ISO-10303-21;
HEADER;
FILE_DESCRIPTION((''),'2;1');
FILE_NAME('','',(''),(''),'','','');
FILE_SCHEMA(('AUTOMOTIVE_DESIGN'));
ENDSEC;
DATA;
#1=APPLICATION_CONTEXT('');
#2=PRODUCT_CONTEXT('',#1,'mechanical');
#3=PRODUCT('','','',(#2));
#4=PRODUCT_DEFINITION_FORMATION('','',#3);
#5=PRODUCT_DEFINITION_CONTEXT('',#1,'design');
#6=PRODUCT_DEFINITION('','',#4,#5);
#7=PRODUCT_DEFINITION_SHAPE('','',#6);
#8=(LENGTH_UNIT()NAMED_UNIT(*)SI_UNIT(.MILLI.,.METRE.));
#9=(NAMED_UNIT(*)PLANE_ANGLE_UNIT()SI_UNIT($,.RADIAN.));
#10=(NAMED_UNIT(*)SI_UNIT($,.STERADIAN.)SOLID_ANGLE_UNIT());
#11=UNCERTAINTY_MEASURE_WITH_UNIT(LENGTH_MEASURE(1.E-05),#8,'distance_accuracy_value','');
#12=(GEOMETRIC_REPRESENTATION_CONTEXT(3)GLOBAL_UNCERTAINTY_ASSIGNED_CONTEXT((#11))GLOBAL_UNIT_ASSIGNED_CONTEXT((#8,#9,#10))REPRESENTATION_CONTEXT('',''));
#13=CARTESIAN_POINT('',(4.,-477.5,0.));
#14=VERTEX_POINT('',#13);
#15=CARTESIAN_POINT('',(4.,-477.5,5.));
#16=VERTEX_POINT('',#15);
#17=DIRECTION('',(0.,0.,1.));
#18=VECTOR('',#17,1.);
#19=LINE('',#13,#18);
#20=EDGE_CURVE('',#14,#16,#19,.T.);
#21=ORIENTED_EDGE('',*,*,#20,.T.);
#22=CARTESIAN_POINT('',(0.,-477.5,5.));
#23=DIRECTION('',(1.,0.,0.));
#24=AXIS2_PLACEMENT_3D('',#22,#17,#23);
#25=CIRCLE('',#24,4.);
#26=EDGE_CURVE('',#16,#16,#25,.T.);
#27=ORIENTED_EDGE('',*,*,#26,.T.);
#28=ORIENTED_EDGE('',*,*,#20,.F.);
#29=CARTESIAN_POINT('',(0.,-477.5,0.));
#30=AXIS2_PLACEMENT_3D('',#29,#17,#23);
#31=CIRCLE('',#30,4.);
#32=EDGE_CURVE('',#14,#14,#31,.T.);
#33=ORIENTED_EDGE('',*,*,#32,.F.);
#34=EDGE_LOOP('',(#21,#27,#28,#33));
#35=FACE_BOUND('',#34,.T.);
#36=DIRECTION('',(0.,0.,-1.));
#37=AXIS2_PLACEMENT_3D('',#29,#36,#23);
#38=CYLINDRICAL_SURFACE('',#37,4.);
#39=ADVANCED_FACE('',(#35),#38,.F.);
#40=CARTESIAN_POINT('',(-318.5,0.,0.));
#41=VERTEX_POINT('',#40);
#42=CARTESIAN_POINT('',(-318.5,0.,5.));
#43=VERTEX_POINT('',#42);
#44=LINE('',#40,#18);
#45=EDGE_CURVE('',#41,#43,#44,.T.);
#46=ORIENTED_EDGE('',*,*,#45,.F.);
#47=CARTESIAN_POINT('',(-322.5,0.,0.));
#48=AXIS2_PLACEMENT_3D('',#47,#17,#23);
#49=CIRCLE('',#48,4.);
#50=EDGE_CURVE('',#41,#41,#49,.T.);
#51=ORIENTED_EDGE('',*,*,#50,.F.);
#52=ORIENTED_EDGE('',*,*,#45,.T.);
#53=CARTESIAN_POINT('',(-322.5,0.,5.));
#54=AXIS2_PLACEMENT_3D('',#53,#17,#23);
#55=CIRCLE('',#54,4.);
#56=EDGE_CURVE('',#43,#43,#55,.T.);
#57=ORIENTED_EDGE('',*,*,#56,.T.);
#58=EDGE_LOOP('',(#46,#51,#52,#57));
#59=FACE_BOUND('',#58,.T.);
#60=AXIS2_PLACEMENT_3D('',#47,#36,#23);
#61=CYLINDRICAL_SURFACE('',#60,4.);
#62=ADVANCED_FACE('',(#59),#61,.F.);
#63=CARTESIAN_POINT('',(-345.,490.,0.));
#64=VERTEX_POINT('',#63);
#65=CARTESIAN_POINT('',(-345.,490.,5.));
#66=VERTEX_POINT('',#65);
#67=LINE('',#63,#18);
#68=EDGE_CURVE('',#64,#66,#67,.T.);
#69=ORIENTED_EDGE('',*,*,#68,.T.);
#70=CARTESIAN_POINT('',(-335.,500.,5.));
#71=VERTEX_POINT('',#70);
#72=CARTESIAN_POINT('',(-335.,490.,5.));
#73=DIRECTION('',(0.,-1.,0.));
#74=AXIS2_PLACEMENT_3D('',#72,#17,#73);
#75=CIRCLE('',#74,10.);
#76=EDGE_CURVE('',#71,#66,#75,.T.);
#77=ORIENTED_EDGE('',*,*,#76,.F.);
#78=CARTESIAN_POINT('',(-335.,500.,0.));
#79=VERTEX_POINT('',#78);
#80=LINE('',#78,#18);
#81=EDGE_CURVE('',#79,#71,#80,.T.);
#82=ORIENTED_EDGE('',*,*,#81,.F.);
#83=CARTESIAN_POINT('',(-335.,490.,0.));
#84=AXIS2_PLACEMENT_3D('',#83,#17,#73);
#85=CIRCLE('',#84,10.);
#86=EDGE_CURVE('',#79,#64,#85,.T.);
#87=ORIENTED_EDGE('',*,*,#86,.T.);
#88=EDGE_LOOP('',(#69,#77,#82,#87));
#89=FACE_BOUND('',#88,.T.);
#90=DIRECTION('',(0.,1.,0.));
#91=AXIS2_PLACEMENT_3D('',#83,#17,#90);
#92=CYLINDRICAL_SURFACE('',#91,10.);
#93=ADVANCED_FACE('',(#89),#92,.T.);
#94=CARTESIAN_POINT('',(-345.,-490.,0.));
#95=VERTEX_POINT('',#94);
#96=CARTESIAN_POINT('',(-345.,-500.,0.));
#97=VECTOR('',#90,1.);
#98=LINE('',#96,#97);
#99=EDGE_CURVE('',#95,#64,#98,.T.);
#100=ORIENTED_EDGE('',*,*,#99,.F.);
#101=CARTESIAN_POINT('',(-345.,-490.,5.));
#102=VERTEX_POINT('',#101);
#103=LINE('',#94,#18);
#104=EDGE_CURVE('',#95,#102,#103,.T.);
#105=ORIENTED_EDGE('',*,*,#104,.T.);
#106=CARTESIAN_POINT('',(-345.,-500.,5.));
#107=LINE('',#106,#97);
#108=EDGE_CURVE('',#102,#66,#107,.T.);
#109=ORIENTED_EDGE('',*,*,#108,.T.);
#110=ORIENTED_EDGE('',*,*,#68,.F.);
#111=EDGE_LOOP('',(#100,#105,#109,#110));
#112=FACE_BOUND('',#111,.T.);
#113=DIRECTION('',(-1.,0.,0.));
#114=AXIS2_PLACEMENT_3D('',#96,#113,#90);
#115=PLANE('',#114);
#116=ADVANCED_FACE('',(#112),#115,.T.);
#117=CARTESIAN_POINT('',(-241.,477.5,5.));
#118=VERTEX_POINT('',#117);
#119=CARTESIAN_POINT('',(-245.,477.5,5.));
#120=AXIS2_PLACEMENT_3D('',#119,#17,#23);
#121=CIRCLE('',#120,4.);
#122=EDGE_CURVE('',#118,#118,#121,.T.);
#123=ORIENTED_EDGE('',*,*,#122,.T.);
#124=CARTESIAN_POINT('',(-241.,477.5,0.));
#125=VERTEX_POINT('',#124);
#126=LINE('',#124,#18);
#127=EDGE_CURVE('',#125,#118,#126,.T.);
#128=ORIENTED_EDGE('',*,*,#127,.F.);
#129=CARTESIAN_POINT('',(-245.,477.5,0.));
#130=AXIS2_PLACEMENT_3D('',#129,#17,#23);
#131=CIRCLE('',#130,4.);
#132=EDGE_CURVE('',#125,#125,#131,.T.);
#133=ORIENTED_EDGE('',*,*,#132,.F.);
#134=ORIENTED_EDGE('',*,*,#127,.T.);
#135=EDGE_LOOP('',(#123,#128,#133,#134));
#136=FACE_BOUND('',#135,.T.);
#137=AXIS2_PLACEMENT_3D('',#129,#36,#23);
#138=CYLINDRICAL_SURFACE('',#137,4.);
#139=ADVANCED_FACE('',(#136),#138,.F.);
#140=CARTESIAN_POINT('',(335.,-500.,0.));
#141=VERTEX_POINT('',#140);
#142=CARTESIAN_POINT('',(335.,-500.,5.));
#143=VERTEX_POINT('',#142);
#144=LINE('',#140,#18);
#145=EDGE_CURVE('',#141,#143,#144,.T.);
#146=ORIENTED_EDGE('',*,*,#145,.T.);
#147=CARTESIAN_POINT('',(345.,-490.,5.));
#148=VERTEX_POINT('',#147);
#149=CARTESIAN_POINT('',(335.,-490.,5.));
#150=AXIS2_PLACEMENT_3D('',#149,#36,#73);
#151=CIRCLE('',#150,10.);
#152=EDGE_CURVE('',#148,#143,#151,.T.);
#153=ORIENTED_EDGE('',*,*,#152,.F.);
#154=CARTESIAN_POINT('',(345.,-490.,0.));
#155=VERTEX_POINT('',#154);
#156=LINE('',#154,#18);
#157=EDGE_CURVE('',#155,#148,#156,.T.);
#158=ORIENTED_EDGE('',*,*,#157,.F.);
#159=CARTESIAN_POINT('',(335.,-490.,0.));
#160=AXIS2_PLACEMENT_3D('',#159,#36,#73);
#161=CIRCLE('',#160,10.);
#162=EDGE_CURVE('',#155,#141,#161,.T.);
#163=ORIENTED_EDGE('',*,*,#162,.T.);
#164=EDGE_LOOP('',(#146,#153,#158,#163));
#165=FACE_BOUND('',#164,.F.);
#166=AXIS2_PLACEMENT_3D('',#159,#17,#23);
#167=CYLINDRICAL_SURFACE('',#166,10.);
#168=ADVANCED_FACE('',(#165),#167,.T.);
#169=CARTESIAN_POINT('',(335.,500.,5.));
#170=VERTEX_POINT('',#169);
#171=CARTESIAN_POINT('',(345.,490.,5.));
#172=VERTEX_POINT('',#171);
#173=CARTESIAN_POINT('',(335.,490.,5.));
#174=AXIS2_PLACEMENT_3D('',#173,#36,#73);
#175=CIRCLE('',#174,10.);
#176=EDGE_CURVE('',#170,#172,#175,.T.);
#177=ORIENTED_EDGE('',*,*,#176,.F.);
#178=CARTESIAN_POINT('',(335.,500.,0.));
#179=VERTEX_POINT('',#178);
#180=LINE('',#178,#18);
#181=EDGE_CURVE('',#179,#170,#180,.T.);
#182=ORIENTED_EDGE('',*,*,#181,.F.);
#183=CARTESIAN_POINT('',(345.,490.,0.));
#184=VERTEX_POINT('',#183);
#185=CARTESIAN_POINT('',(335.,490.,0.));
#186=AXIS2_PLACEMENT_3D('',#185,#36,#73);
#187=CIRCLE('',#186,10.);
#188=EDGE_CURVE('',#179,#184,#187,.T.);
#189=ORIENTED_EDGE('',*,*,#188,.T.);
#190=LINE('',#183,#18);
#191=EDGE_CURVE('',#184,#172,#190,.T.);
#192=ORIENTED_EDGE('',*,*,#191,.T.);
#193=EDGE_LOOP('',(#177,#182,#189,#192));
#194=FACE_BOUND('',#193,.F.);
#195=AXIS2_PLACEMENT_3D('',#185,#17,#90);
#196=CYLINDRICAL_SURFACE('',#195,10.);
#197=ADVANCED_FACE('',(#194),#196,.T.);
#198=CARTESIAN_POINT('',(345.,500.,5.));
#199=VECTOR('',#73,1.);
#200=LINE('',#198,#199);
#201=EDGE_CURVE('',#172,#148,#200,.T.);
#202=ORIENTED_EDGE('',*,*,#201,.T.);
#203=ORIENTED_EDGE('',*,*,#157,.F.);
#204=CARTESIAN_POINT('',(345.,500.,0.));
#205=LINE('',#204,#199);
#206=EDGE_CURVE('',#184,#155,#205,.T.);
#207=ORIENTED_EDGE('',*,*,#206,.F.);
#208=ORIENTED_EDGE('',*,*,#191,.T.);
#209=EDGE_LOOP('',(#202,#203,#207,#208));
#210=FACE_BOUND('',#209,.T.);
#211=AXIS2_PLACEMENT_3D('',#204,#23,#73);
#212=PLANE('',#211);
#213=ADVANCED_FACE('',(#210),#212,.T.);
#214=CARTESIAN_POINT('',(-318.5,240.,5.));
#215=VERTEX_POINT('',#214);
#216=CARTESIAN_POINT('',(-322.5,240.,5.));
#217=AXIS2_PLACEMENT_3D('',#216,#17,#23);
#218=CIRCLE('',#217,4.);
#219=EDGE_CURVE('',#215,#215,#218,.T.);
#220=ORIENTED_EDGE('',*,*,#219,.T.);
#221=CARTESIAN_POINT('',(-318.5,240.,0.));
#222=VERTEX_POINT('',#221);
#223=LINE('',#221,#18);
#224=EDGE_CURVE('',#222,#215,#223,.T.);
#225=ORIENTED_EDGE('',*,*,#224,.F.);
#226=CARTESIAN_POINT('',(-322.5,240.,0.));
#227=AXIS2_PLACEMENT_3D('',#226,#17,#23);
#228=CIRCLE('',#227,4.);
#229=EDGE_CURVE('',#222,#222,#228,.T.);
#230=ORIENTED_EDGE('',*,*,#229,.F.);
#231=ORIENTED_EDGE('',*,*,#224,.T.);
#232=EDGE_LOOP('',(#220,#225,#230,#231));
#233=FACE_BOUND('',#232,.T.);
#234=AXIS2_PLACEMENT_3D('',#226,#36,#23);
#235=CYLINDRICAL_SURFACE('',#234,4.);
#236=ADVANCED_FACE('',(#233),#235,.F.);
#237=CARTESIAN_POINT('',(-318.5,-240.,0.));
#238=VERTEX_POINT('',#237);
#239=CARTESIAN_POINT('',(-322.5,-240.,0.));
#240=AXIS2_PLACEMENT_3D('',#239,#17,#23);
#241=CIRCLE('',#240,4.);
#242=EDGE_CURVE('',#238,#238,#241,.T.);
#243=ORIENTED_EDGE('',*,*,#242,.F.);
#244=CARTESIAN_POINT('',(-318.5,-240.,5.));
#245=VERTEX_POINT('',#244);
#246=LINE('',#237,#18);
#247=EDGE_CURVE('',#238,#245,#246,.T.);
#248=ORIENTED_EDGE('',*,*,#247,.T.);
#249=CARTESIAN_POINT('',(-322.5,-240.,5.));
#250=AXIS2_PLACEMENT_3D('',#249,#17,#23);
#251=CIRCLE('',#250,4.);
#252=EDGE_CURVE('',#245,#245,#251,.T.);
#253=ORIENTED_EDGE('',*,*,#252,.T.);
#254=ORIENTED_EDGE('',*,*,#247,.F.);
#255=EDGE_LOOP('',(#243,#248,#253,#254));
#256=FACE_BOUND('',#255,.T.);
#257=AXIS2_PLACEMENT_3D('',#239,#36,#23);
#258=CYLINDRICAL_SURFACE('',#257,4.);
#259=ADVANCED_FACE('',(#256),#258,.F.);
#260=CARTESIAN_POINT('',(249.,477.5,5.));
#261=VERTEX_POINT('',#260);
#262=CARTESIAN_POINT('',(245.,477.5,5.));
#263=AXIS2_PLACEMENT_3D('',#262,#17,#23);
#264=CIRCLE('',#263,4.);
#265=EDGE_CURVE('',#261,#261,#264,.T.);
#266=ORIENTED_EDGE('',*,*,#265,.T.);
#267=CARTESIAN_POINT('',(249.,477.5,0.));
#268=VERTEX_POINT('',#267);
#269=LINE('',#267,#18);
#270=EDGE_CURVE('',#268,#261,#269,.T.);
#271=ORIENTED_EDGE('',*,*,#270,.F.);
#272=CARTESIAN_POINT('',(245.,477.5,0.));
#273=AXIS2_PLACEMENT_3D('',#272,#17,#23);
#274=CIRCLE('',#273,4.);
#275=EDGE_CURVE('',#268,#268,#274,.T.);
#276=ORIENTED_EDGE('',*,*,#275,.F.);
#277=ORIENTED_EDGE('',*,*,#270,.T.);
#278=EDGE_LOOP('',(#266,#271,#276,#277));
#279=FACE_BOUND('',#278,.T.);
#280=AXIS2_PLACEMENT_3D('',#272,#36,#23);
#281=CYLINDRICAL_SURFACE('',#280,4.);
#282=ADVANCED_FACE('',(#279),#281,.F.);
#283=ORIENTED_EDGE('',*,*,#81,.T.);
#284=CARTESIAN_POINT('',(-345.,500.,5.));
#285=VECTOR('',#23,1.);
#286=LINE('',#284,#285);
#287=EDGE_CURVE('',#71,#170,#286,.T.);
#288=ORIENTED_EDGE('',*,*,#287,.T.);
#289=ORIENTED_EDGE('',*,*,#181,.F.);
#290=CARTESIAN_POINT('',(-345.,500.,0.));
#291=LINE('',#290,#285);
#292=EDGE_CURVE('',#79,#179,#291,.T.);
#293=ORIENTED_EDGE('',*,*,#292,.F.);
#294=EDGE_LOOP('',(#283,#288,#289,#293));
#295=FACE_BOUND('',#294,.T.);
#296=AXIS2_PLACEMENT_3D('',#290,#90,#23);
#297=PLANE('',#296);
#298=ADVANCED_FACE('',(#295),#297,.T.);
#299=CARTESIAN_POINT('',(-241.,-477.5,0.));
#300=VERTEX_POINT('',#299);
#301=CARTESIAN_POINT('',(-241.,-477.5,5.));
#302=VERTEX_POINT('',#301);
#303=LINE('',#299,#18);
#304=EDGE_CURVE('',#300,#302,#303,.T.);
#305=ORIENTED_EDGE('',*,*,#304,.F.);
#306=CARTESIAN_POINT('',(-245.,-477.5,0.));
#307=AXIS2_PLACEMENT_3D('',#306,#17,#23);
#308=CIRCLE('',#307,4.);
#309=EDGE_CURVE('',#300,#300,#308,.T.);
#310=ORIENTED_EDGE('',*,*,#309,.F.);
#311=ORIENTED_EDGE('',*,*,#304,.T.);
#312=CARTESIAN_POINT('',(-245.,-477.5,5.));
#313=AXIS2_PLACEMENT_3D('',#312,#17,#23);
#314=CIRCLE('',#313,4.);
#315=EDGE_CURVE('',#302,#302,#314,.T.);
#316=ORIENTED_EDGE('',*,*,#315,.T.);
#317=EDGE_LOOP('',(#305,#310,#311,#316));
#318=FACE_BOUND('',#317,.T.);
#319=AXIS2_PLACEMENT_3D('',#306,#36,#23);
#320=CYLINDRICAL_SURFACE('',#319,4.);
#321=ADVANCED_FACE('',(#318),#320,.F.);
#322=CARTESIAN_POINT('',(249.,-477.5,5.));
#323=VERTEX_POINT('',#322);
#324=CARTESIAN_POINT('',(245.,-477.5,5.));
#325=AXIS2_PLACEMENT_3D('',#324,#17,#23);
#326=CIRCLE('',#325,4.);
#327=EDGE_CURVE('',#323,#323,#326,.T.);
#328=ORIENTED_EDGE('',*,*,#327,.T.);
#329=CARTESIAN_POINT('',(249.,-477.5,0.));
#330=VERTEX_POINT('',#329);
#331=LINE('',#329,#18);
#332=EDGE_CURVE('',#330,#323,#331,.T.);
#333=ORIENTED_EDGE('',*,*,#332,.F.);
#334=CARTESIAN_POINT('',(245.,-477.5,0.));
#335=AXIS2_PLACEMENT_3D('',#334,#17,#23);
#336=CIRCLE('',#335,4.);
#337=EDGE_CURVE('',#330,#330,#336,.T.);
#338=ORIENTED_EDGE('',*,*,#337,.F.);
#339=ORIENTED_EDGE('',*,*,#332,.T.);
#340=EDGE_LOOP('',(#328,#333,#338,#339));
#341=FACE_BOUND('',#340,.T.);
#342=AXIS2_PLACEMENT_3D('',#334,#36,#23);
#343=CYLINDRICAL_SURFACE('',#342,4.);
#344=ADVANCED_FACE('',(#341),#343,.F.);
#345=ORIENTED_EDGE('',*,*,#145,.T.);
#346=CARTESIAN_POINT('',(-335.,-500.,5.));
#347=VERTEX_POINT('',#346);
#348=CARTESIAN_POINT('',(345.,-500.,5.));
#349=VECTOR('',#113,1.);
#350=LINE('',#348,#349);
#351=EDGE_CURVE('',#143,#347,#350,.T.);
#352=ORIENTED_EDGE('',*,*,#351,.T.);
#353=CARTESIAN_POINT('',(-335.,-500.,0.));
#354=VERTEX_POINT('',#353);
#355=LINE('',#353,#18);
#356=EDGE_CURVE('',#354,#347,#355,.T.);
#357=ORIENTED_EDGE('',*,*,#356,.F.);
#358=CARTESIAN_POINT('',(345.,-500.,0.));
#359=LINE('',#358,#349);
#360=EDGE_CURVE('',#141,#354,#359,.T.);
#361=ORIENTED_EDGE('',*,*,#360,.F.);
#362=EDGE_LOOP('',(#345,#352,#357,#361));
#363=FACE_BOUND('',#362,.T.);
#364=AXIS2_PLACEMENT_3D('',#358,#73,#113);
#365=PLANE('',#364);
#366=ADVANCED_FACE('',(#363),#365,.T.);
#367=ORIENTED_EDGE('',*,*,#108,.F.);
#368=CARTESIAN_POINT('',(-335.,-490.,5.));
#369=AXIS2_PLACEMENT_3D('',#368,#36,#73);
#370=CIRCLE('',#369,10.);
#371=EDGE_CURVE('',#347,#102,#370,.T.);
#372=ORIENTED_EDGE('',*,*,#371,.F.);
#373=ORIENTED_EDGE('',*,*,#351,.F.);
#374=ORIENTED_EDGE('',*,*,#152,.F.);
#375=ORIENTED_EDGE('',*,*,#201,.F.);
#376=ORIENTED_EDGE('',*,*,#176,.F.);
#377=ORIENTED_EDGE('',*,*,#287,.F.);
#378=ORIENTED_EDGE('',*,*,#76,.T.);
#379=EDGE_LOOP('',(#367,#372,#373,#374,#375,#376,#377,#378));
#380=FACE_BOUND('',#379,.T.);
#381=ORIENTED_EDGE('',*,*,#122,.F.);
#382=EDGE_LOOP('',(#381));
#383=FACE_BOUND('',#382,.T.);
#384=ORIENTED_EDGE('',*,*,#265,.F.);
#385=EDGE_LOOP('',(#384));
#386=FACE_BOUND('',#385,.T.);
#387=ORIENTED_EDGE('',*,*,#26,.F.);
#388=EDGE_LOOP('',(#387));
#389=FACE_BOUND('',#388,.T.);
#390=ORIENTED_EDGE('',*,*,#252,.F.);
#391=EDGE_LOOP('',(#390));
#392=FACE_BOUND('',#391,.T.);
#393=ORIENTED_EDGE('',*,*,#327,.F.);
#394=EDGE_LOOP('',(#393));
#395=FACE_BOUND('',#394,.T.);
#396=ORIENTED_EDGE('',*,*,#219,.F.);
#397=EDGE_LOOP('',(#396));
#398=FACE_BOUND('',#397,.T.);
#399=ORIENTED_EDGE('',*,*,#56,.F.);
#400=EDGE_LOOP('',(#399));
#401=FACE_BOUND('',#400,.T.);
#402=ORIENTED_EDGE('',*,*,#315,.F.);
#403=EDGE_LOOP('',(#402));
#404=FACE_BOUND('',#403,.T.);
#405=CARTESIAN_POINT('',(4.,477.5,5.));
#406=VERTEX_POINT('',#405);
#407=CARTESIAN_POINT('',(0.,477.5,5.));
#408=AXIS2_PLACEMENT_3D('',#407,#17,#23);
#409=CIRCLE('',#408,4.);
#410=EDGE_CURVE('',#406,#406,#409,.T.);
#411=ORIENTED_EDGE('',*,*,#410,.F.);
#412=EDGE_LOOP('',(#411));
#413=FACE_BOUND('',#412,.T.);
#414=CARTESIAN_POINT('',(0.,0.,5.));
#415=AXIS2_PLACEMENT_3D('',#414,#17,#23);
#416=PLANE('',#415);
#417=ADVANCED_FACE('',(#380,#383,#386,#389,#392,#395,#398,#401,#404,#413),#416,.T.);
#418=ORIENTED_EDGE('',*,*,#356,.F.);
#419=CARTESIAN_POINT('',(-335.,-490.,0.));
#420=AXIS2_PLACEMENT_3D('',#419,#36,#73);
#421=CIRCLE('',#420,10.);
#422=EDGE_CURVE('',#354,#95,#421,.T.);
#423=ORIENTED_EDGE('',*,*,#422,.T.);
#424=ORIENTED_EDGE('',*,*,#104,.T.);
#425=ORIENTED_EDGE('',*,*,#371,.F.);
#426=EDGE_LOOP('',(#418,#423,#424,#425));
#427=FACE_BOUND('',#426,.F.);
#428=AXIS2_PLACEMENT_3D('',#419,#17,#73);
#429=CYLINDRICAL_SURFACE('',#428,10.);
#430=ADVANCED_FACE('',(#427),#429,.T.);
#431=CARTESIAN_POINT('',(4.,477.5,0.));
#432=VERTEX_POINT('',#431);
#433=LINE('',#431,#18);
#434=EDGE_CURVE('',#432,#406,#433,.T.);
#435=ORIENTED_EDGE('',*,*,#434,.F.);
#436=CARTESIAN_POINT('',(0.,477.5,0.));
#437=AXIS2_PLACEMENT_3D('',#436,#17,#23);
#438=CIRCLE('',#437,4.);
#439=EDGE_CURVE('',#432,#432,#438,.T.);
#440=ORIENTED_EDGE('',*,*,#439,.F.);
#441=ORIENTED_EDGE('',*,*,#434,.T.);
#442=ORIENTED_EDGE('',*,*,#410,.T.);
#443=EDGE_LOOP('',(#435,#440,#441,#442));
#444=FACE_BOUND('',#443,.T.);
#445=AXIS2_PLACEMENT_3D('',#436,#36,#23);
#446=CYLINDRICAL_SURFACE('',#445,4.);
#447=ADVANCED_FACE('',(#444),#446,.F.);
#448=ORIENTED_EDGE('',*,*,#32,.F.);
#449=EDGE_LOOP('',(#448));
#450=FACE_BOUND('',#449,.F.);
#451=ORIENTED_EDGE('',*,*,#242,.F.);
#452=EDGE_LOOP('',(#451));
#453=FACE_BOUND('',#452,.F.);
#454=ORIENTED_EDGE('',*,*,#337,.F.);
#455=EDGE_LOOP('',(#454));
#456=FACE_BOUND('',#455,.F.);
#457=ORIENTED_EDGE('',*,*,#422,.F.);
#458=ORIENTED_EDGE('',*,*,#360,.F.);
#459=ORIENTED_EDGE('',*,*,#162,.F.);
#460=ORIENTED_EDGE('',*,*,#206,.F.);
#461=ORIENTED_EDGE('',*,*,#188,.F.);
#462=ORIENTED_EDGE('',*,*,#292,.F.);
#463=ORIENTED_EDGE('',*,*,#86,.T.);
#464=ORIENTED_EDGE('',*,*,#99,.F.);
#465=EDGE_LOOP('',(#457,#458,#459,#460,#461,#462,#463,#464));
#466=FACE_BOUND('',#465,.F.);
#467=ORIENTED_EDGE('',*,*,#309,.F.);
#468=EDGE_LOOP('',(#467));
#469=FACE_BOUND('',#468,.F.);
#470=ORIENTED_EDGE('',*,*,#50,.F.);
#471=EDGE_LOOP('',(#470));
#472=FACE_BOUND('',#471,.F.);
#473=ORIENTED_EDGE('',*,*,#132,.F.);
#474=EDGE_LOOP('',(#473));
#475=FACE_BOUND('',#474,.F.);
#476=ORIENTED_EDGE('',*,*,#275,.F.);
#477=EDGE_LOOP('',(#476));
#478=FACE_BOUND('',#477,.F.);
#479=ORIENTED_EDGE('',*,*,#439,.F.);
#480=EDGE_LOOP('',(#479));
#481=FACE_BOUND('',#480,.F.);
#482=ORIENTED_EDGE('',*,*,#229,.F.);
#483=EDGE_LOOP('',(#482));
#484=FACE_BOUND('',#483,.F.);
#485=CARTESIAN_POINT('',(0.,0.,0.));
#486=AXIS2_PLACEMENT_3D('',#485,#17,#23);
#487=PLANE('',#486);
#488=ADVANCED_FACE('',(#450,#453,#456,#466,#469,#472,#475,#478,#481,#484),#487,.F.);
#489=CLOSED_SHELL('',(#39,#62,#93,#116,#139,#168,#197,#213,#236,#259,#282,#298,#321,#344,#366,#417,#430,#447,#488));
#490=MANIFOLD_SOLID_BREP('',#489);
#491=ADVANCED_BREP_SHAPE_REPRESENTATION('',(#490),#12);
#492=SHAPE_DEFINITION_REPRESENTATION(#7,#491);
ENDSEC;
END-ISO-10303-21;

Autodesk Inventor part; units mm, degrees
ref_plane "YZ Plane" through (0, 0, 0) normal (1, 0, 0) x (0, 1, 0)
ref_plane "XZ Plane" through (0, 0, 0) normal (0, 1, 0) x (-1, 0, 0)
ref_plane "XY Plane" through (0, 0, 0) normal (0, 0, 1) x (1, 0, 0)
sketch "Boceto1" plane through (0, 0, 0) normal (0, 0, 1) x (1, 0, 0)
  line L0 (-345, 500) -> (345, 500)
  line L1 (345, 500) -> (345, -500)
  line L2 (345, -500) -> (-345, -500)
  line L3 (-345, -500) -> (-345, 500)
  circle A0 centre (-245, 477.5) radius 4
  circle A1 centre (245, 477.5) radius 4
  circle A2 centre (0, 477.5) radius 4
  circle A3 centre (245, 477.5) radius 4
  circle A4 centre (-245, -477.5) radius 4
  circle A5 centre (0, -477.5) radius 4
  circle A6 centre (245, -477.5) radius 4
  circle A7 centre (245, -477.5) radius 4
  circle A8 centre (-322.5, 240) radius 4
  circle A9 centre (-322.5, 0) radius 4
  circle A10 centre (-322.5, -240) radius 4
  point P0 (0, 0)
  point P1 (0, 500)
  point P2 (345, 0)
  point P3 (-345, 0)
  dimension "d0" = 690
  dimension "d4" = 1000
  dimension "d5" = 8
  dimension "d6" = 22.5
  dimension "d7" = 100
  dimension "d8" = 100
  dimension "d9" = 245
  dimension "d10" = 245
  dimension "d11" = 22.5
  dimension "d12" = 22.5
  dimension "d14" = 240
  dimension "d15" = 240
extrude "Extrusión1" add sketch "Boceto1" along normal blind 5
fillet "Empalme1" radius 10 4 edges at (345, 500, 2.5) (-345, 500, 2.5) (345, -500, 2.5) (-345, -500, 2.5)
equation "\"d8\" = d7"
equation "\"d10\" = d9"
equation "\"d11\" = d6"
equation "\"d12\" = d11"
equation "\"d15\" = d14"
properties part number "1040x1000 esquina" material "Hierro, fundido"
